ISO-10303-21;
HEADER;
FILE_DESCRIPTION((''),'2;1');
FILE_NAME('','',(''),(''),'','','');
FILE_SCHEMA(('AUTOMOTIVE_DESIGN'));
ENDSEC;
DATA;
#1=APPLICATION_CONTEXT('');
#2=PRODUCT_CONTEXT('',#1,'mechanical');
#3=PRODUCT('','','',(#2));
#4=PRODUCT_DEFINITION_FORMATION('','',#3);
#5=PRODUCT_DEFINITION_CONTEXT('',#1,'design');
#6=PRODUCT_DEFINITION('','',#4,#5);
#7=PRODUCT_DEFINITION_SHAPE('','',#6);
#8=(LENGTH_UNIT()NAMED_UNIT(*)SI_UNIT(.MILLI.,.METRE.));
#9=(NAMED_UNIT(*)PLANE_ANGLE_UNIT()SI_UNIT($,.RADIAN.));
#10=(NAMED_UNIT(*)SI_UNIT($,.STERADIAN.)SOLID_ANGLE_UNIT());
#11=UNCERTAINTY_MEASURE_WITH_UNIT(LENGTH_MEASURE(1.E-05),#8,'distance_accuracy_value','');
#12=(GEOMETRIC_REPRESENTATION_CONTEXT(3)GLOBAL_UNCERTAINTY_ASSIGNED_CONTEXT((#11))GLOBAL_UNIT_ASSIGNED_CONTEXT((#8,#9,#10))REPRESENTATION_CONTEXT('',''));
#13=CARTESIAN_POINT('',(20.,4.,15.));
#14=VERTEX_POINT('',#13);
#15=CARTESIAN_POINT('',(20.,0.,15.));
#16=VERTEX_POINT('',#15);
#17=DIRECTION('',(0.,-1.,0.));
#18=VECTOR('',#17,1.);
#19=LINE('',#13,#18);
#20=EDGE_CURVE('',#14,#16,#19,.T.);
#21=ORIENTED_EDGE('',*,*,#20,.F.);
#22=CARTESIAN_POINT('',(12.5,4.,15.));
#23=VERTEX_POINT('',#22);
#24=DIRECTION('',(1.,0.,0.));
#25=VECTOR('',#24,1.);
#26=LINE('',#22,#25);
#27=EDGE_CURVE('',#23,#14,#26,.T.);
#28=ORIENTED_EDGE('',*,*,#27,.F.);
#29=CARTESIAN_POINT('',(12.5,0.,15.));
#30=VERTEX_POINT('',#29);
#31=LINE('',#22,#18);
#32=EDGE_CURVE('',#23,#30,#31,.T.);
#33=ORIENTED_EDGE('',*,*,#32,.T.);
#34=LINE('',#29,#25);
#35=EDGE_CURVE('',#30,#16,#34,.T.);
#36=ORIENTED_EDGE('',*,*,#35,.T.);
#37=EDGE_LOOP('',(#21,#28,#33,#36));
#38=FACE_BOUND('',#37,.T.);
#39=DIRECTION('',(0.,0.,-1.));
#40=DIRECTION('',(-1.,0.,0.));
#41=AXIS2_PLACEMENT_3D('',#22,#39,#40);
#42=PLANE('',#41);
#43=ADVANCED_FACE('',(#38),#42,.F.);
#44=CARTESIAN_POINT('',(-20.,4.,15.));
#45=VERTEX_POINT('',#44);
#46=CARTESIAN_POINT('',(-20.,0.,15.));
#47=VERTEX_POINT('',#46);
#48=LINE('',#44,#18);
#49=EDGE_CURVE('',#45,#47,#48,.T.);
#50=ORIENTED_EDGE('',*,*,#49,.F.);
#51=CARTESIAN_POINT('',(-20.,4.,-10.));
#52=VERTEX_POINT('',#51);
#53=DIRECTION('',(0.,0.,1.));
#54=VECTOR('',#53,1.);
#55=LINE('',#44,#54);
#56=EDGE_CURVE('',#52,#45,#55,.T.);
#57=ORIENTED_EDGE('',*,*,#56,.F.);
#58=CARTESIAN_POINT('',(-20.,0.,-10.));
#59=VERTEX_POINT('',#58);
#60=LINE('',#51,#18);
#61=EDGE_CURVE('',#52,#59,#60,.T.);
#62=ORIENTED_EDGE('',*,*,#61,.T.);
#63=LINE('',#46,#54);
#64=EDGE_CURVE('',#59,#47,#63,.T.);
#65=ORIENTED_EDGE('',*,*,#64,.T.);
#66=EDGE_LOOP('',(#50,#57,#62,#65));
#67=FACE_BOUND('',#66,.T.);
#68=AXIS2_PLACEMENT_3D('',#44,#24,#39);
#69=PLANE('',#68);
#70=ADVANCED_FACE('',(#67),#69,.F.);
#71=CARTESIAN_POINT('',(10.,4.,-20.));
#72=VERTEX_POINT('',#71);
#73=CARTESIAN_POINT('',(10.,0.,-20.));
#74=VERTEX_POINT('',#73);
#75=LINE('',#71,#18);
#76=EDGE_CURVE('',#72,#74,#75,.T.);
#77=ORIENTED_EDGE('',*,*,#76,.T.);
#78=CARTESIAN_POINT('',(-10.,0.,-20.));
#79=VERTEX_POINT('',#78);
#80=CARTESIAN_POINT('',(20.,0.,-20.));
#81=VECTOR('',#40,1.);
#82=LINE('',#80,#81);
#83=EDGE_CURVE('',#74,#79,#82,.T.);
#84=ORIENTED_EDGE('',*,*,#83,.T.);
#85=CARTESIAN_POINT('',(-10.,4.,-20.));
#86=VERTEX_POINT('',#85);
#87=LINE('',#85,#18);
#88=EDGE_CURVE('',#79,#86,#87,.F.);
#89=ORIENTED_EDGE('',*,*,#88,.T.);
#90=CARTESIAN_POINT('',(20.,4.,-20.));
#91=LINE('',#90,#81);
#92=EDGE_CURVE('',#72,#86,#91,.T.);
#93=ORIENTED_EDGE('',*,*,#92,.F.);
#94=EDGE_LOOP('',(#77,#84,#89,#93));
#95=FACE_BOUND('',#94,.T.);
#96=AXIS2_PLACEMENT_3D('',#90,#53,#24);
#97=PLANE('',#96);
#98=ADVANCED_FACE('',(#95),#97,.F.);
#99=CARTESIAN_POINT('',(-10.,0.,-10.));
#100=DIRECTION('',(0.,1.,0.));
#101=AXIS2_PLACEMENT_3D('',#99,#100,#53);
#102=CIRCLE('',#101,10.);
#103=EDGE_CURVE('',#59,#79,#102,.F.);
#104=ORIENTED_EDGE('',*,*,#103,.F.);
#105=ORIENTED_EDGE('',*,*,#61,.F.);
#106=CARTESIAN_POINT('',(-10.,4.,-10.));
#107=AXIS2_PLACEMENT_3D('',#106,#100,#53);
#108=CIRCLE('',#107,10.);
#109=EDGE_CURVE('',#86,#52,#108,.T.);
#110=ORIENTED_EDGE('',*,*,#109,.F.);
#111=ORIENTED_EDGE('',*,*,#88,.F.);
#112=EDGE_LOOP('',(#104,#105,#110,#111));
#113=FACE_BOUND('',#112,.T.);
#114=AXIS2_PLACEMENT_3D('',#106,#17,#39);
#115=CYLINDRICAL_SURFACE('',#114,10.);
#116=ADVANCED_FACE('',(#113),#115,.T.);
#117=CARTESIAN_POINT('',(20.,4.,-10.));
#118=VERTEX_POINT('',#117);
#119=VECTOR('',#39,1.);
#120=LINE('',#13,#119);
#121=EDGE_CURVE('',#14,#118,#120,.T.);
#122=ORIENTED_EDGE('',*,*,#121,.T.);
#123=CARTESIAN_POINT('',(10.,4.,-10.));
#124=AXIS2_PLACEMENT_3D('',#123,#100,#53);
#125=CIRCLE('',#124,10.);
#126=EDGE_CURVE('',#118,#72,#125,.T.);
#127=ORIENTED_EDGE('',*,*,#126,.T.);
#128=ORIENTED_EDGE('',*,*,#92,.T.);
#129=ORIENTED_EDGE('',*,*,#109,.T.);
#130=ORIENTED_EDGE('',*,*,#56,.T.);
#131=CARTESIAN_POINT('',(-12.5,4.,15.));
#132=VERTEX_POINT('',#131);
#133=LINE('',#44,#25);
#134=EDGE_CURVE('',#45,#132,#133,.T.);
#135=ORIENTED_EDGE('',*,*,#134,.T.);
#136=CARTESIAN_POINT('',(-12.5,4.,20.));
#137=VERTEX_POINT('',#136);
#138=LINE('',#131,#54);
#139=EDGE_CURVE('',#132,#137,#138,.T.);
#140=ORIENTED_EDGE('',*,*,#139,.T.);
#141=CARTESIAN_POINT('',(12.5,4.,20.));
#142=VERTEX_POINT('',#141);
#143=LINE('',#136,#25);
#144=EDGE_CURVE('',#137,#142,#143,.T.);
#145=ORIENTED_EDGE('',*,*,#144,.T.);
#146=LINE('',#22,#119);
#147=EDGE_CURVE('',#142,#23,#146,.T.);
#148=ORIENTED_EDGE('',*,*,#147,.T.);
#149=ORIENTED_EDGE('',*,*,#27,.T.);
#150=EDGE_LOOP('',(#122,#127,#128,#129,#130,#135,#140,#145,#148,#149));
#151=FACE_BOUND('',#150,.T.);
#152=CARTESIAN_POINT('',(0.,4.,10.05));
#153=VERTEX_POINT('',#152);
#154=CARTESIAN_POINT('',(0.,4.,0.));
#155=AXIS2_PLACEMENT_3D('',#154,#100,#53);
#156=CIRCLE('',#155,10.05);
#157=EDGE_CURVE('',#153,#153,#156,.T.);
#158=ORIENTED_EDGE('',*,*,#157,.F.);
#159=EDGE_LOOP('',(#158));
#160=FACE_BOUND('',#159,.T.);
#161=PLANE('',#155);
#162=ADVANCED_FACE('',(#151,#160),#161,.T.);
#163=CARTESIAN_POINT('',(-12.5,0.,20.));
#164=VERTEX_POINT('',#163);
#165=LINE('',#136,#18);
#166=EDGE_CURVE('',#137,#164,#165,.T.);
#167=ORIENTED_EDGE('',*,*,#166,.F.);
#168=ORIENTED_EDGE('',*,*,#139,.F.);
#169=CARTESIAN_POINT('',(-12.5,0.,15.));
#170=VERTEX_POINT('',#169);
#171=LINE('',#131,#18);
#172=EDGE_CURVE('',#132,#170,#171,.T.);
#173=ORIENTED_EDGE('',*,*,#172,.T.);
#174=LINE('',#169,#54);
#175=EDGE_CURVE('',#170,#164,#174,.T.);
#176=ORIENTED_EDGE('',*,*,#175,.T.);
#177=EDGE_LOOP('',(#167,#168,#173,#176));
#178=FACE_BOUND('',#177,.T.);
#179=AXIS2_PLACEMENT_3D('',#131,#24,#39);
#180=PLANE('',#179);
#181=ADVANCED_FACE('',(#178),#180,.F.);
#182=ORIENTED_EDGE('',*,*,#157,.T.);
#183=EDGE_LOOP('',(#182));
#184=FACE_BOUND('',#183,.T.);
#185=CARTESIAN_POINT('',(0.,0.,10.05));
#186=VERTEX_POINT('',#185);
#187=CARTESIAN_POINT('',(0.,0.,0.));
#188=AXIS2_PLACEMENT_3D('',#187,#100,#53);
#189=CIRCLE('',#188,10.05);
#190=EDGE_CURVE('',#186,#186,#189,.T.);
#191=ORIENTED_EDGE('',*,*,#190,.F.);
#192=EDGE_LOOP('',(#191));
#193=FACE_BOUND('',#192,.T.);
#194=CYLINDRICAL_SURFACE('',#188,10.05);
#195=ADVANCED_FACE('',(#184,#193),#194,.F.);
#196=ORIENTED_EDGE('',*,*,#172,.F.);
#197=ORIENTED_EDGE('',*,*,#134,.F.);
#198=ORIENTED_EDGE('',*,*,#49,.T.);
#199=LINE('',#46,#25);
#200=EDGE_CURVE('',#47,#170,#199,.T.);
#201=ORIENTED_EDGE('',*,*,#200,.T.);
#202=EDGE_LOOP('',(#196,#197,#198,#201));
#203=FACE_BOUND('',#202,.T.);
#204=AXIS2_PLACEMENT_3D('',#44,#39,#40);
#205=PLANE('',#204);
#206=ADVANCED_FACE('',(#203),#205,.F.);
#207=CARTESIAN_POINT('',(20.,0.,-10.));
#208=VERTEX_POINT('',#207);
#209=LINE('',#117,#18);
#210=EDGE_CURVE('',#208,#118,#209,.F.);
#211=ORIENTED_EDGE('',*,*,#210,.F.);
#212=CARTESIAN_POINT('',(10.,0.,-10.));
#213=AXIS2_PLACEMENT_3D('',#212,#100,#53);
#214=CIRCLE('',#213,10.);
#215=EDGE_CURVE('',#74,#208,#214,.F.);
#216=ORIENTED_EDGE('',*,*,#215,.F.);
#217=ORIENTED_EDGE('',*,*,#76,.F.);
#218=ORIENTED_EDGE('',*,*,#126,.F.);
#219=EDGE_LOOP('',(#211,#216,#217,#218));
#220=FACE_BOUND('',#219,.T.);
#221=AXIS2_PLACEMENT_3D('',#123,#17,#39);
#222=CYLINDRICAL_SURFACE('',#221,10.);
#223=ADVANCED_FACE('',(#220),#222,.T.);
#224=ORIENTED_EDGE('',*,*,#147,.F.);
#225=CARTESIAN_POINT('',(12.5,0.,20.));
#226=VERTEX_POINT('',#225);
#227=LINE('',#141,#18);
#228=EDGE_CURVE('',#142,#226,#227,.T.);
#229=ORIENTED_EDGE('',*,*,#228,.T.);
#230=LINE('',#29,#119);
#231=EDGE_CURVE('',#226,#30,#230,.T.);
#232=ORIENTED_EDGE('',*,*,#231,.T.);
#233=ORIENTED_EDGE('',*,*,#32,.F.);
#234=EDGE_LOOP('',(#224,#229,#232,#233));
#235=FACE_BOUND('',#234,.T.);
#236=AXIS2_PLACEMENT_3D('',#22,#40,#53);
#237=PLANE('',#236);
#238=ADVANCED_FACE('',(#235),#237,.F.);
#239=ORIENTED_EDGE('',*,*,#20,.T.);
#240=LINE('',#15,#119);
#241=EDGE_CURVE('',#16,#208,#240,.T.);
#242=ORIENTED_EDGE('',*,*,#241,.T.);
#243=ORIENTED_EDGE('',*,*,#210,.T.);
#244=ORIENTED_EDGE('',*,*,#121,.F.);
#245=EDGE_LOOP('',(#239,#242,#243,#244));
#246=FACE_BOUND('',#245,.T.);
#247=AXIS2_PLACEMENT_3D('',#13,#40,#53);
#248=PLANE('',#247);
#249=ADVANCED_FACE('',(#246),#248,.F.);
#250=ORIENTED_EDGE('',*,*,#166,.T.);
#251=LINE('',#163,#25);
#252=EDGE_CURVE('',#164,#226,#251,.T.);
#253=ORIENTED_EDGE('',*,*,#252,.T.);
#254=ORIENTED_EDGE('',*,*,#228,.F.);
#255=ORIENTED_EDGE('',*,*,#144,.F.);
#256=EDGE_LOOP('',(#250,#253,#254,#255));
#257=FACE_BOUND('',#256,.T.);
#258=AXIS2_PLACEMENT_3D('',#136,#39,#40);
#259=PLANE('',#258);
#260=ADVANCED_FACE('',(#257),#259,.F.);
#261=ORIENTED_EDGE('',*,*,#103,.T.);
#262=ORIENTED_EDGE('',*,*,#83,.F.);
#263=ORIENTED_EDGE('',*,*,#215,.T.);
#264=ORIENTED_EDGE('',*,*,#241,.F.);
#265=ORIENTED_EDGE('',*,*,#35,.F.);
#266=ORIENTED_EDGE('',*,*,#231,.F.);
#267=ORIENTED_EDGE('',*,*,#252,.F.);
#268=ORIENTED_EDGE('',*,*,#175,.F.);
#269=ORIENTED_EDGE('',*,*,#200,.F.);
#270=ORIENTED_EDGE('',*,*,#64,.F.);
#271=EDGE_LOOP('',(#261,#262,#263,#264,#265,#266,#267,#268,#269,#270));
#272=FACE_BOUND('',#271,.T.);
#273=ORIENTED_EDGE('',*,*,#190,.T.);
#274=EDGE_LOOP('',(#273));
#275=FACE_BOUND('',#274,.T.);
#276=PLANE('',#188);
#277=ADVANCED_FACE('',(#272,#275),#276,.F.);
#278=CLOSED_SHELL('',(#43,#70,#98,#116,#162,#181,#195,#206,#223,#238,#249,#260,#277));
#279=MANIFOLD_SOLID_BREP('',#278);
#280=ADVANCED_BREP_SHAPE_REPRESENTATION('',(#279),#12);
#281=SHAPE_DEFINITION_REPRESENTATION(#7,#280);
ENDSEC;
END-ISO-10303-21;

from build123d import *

# Parameters (mm, degrees)
EXTRUDE_1_DEPTH     = 4
SKETCH_5_R          = 10.05
CUT_EXTRUDE_4_DEPTH = 29.565713714
FILLET_1_R          = 10


with BuildPart() as part:
    # Эскиз1 → Бобышка-Вытянуть1 (new body)
    with BuildSketch(Plane(origin=(0, 0, 0), x_dir=(1, 0, 0), z_dir=(0, 1, 0))):
        Polygon((-20, -15), (-12.5, -15), (-12.5, -20), (12.5, -20), (12.5, -15), (20, -15), (20, 20), (-20, 20), align=None)
    extrude(amount=EXTRUDE_1_DEPTH)

    # Эскиз5 → Вырез-Вытянуть4 (cut, through all)
    with BuildSketch(Plane(origin=(0, 4, 0), x_dir=(1, 0, 0), z_dir=(0, 1, 0))):
        with Locations(Location((0, 0, 0), (0, 0, 270))):
            Circle(SKETCH_5_R)
    extrude(amount=-CUT_EXTRUDE_4_DEPTH, mode=Mode.SUBTRACT)

    # Скругление1
    fillet_1_edges = [part.edges().sort_by_distance(p)[0] for p in [
        (-20, 2, -20),
        (20, 2, -20),
    ]]
    fillet(fillet_1_edges, radius=FILLET_1_R)


solid = part.part
